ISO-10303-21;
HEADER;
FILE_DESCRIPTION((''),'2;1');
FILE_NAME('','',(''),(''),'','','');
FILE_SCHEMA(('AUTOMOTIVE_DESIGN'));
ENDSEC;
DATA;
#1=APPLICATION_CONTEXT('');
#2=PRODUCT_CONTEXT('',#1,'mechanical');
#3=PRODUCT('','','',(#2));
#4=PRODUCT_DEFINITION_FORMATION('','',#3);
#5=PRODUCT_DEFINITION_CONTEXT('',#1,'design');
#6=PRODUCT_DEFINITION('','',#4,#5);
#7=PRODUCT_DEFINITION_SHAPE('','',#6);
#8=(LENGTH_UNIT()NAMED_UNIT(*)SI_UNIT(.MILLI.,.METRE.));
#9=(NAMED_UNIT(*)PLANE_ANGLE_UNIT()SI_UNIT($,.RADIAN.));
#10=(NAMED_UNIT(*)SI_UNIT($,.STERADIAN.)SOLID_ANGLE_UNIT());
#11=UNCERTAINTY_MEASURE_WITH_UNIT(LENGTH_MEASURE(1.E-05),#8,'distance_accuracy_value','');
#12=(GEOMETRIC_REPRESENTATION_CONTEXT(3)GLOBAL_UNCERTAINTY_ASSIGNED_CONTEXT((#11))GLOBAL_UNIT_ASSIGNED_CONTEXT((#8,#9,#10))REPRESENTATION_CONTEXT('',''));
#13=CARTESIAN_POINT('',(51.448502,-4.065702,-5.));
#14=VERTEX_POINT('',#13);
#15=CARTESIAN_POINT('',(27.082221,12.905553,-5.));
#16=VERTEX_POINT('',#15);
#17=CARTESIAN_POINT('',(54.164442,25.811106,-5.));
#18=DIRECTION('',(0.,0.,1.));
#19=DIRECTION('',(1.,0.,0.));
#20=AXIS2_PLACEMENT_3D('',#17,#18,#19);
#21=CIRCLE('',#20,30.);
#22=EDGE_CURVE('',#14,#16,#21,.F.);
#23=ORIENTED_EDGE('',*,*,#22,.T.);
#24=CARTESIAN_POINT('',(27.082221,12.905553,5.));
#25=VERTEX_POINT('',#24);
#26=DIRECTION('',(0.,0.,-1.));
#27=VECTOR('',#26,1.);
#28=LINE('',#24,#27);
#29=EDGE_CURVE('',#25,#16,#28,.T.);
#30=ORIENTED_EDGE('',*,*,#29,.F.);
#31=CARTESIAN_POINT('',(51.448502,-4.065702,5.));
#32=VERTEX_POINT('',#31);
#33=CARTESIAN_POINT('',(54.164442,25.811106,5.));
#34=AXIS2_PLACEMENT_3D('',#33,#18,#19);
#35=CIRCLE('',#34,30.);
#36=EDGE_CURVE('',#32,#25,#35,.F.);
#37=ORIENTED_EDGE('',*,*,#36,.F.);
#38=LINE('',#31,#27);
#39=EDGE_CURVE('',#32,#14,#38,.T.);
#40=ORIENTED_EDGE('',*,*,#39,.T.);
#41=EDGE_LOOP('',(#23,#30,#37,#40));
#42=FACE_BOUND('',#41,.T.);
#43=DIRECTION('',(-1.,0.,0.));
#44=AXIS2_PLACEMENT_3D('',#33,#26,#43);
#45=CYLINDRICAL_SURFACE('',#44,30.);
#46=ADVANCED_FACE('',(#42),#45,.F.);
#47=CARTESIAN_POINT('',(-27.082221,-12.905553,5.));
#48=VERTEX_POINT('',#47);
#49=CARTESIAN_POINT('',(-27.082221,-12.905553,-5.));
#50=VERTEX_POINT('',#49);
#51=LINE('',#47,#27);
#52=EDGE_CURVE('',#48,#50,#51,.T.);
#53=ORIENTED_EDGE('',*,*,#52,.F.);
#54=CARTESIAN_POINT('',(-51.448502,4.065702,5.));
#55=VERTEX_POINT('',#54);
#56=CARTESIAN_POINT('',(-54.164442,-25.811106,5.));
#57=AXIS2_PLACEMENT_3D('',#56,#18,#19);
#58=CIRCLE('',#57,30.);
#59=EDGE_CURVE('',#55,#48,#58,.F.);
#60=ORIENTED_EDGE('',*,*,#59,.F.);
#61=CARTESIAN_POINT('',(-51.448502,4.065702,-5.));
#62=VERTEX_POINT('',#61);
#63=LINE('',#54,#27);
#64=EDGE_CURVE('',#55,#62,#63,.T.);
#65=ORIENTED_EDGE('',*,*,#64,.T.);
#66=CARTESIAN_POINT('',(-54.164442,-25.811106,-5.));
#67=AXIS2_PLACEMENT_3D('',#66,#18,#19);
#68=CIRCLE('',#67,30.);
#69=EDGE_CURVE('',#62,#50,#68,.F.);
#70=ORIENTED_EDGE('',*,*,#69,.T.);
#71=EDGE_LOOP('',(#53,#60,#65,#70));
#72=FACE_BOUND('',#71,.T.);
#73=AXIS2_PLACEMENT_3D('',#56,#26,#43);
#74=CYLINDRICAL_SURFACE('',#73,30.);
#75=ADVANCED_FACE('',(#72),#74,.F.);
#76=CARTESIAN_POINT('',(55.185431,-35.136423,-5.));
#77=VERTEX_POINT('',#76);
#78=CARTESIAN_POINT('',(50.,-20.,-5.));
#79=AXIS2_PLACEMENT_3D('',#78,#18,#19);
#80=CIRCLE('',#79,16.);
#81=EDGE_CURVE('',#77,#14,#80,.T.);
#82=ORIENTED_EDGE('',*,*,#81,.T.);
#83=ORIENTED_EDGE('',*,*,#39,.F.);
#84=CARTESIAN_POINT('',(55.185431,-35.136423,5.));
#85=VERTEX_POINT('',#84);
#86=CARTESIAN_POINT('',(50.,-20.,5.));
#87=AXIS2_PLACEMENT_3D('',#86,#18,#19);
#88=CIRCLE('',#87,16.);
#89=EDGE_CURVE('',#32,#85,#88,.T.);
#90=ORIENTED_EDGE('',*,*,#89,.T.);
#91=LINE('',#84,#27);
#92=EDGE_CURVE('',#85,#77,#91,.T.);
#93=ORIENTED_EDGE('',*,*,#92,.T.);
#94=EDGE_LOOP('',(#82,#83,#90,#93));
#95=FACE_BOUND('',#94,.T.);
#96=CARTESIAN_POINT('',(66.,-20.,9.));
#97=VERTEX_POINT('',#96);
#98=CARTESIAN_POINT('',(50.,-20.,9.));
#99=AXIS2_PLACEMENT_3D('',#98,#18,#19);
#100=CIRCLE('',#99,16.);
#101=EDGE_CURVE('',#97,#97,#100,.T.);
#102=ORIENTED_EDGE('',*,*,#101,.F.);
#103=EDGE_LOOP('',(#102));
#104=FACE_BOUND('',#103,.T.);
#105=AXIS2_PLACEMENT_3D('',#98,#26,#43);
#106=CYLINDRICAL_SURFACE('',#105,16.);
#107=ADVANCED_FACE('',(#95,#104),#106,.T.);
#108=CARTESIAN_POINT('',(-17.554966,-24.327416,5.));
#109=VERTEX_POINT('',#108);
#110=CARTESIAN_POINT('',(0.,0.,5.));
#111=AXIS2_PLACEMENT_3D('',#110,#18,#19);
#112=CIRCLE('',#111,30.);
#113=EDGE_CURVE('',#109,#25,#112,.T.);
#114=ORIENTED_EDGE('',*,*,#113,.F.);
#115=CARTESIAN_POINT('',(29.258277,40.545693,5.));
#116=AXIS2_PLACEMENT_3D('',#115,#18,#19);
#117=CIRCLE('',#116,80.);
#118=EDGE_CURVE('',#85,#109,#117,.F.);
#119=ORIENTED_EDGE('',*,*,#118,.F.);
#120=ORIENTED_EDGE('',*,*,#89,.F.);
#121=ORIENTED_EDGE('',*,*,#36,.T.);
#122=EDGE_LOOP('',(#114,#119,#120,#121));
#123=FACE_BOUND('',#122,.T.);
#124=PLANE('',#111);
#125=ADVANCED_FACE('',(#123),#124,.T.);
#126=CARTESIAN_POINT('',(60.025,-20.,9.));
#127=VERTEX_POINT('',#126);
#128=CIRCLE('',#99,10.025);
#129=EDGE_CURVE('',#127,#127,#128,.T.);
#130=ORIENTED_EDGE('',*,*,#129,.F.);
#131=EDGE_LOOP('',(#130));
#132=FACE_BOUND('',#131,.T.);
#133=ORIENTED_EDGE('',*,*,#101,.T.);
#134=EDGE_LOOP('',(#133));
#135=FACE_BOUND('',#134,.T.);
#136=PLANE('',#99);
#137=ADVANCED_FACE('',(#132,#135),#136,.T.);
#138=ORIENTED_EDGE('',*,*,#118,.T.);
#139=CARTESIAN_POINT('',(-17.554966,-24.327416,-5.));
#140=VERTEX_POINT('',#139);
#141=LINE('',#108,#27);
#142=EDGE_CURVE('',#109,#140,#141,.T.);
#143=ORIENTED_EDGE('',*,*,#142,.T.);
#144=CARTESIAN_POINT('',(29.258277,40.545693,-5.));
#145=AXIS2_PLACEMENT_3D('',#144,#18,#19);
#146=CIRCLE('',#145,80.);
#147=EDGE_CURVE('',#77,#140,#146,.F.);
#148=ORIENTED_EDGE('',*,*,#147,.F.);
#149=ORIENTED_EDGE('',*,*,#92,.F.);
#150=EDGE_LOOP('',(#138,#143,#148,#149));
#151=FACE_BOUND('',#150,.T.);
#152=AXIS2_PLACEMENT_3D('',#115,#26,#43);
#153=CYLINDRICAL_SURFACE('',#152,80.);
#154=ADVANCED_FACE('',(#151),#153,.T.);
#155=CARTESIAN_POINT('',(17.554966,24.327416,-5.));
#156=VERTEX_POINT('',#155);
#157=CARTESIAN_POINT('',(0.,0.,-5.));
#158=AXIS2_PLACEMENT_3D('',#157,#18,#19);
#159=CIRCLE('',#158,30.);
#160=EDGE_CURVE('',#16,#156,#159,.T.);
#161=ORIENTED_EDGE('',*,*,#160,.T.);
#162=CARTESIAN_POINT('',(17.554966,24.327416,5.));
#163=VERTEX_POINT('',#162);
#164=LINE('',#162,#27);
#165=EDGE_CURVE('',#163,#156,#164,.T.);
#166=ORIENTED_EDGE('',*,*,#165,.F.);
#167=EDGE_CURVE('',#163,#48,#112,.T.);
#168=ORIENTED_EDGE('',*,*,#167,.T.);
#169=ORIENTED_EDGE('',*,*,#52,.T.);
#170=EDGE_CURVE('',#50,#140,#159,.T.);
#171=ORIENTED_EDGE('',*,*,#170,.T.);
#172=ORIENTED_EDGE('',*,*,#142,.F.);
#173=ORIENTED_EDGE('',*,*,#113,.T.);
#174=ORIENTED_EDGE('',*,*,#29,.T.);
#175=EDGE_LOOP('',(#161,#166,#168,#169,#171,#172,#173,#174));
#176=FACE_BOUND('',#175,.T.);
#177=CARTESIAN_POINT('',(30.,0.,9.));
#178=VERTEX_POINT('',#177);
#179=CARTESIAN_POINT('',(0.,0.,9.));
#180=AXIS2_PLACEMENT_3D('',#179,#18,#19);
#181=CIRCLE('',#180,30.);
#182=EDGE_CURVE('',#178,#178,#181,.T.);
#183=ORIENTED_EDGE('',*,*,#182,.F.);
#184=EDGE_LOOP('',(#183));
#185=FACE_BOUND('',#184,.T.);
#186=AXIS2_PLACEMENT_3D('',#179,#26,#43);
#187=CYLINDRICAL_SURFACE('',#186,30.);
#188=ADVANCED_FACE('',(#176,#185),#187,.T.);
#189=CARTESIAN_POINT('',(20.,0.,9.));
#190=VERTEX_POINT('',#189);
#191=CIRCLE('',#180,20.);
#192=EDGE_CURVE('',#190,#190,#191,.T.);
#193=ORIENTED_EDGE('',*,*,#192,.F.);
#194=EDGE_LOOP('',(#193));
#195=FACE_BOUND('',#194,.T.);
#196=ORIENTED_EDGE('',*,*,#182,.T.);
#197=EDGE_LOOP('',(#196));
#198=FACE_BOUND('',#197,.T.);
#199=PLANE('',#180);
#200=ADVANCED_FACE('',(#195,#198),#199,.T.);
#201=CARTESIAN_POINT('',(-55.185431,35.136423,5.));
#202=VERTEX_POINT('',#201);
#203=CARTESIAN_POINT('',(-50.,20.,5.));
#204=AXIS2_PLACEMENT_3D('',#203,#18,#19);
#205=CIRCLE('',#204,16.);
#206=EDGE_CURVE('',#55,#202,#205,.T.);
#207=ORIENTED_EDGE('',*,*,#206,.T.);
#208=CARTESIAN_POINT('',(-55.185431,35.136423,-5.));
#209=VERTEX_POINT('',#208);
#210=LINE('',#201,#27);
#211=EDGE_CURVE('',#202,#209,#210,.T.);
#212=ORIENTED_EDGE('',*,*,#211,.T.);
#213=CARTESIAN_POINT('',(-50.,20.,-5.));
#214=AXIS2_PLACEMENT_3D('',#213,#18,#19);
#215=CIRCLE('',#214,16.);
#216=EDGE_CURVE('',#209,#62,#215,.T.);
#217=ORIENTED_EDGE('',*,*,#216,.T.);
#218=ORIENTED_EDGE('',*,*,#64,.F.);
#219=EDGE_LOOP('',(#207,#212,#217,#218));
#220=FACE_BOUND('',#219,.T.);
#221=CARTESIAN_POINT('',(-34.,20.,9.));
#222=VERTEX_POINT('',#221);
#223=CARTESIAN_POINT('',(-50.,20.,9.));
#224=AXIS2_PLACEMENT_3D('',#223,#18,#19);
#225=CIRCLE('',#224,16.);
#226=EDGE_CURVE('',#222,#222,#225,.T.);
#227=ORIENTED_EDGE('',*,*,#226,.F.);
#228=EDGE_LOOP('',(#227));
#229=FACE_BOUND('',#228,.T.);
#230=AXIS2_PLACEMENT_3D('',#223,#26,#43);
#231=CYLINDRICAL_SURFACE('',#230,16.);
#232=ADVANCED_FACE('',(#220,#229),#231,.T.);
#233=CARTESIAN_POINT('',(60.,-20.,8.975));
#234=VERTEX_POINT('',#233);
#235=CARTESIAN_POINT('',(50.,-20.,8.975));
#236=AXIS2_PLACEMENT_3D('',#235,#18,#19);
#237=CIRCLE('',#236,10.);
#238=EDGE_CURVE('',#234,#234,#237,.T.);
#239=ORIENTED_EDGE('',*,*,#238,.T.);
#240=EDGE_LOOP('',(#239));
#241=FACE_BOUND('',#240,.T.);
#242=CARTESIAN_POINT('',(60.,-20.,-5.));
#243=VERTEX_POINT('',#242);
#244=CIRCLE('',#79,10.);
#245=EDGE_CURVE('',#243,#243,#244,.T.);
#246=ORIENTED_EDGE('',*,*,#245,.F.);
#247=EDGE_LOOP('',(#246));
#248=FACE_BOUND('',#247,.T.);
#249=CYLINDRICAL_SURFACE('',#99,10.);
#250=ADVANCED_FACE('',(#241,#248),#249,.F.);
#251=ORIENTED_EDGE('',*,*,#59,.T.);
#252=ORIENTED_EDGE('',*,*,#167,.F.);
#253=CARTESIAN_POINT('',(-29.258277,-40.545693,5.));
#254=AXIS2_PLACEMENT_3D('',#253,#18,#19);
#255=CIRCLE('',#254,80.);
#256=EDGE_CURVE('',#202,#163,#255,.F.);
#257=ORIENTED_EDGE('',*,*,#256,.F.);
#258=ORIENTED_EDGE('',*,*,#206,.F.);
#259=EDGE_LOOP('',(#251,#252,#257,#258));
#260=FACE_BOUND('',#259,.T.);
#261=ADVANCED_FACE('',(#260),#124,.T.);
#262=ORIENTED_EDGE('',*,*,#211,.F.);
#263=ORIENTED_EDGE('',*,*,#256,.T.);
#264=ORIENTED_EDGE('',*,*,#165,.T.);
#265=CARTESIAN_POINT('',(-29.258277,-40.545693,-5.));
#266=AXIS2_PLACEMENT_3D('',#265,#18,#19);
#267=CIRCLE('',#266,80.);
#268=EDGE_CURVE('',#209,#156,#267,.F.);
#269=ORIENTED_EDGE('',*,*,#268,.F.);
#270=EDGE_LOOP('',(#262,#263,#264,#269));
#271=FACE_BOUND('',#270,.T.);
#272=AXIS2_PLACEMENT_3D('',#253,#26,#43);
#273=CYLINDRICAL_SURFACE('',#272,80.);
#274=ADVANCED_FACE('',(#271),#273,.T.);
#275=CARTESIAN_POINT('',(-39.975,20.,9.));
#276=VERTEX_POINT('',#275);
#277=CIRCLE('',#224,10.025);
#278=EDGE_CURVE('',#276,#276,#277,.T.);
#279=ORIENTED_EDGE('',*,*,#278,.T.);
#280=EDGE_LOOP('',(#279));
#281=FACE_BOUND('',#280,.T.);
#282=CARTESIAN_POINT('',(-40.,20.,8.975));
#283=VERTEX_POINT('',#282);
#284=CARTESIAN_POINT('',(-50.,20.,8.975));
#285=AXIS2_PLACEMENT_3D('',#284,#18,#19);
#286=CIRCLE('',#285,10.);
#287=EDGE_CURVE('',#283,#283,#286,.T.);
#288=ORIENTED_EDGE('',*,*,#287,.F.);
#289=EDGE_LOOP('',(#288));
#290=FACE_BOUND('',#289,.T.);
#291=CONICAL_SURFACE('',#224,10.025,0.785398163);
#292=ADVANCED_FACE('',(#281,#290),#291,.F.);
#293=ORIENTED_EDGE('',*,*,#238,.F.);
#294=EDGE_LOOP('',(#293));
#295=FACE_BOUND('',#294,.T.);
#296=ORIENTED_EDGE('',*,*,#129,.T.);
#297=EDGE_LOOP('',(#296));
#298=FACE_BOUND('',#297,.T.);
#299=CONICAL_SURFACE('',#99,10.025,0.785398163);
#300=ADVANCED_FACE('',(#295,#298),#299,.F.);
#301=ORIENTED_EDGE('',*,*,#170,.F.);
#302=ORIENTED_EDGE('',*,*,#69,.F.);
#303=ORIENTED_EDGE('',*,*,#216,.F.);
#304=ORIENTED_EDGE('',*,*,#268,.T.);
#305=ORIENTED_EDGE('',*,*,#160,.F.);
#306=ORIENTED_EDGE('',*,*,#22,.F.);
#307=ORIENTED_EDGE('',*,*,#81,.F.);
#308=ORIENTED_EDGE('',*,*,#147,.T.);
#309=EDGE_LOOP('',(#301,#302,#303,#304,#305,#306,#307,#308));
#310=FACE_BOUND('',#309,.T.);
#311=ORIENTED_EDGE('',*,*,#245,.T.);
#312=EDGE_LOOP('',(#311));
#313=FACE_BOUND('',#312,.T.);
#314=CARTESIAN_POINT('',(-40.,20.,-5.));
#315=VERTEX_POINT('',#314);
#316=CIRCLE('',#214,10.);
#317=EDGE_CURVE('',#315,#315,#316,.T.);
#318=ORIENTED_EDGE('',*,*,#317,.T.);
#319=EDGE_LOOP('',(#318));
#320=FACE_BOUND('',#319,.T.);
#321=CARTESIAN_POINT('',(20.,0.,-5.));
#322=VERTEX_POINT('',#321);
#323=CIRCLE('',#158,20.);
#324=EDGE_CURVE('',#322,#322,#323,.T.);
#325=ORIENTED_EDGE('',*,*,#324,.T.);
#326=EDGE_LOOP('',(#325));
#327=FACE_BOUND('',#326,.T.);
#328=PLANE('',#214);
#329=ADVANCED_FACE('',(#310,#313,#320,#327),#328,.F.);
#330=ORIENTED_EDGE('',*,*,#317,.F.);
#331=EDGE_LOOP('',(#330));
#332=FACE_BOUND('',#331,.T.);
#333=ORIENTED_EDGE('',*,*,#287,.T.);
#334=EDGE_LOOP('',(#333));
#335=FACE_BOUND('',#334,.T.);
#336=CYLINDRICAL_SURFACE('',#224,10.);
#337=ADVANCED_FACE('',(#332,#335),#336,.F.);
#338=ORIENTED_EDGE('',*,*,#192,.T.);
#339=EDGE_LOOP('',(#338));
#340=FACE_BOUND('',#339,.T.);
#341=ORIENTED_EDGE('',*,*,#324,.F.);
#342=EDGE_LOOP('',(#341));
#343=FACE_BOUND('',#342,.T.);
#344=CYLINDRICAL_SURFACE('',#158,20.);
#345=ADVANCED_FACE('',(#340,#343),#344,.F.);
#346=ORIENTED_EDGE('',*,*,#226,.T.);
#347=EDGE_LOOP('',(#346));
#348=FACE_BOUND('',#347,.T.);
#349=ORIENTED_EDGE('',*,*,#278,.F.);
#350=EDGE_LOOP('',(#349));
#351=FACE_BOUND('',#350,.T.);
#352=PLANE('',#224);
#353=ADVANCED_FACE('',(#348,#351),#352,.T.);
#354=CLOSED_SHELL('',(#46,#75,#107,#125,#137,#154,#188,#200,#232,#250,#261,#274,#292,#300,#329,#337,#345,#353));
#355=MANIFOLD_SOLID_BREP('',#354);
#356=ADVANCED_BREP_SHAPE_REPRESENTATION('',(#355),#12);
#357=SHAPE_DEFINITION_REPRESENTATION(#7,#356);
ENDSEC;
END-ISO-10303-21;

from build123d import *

# Parameters (mm, degrees)
ESTRUSIONE_ESTRUSIONE1_START = -5
SCHIZZO1_R                   = 16
ESTRUSIONE_ESTRUSIONE1_DEPTH = 14
ESTRUSIONE_ESTRUSIONE3_START = -5
SCHIZZO1_4_R                 = 16
ESTRUSIONE_ESTRUSIONE3_DEPTH = 14
ESTRUSIONE_ESTRUSIONE5_START = -5
SCHIZZO1_7_R                 = 30
ESTRUSIONE_ESTRUSIONE5_DEPTH = 14
ESTRUSIONE_ESTRUSIONE6_DEPTH = 5
ESTRUSIONE_ESTRUSIONE7_DEPTH = 5
FORO_20_0_20_1_D             = 20
FORO_20_0_20_1_CSINK_D       = 20.05
FORO_20_0_20_1_CSINK_ANGLE   = 90
TAGLIO_ESTRUSIONE1_START     = 9
SCHIZZO1_13_R                = 20
TAGLIO_ESTRUSIONE1_DEPTH     = 87.418617561


with BuildPart() as part:
    # Schizzo1 → Estrusione-Estrusione1 (new body)
    with BuildSketch(Plane.XY.offset(ESTRUSIONE_ESTRUSIONE1_START)):
        with Locations((-50, 20)):
            Circle(SCHIZZO1_R)
    extrude(amount=ESTRUSIONE_ESTRUSIONE1_DEPTH)



with BuildPart() as body_2:
    # Schizzo1<4> → Estrusione-Estrusione3 (new body)
    with BuildSketch(Plane.XY.offset(ESTRUSIONE_ESTRUSIONE3_START)):
        with Locations((50, -20)):
            Circle(SCHIZZO1_4_R)
    extrude(amount=ESTRUSIONE_ESTRUSIONE3_DEPTH)



with BuildPart() as body_3:
    # Schizzo1<7> → Estrusione-Estrusione5 (new body)
    with BuildSketch(Plane.XY.offset(ESTRUSIONE_ESTRUSIONE5_START)):
        Circle(SCHIZZO1_7_R)
    extrude(amount=ESTRUSIONE_ESTRUSIONE5_DEPTH)


with BuildPart() as body_2_1:
    add(body_2.part)

    add(body_3.part)  # Estrusione-Estrusione6 merges body 3
    # Schizzo1<11> → Estrusione-Estrusione6 (add, symmetric)
    with BuildSketch(Plane.XY):
        with BuildLine():
            ThreePointArc((27.082221172, 12.905552929), (29.26146472, 6.61563923), (30, 0))
            ThreePointArc((30, 0), (13.662924482, -26.708135364), (-17.554966307, -24.327415768))
            ThreePointArc((-17.554966307, -24.327415768), (17.499627211, -38.585427044), (55.185430705, -35.136423237))
            ThreePointArc((55.185430705, -35.136423237), (34.114481769, -21.910578587), (51.448501685, -4.06570231))
            ThreePointArc((51.448501685, -4.06570231), (37.018349838, 1.193804792), (27.082221172, 12.905552929))
        make_face()
    extrude(amount=ESTRUSIONE_ESTRUSIONE6_DEPTH, both=True)


with BuildPart() as part_1:
    add(part.part)

    add(body_2_1.part)  # Estrusione-Estrusione7 merges body 2
    # Schizzo1<12> → Estrusione-Estrusione7 (add, symmetric)
    with BuildSketch(Plane.XY):
        with BuildLine():
            ThreePointArc((-27.082221172, -12.905552929), (-19.216284557, 23.037673664), (17.554968706, 24.327414037))
            ThreePointArc((17.554968706, 24.327414037), (-17.499625748, 38.585426826), (-55.185430705, 35.136423237))
            ThreePointArc((-55.185430705, 35.136423237), (-40.698572456, 33.018580785), (-34, 20))
            ThreePointArc((-34, 20), (-39.210561343, 8.185262869), (-51.448501685, 4.06570231))
            ThreePointArc((-51.448501685, 4.06570231), (-37.018349838, -1.193804792), (-27.082221172, -12.905552929))
        make_face()
    extrude(amount=ESTRUSIONE_ESTRUSIONE7_DEPTH, both=True)

    # Foro Ø20.0 (20)-1 (through all)
    with Locations(Plane(origin=(-50, 20, 9), x_dir=(1, 0, 0), z_dir=(0, 0, 1))):
        with Locations((0, 0), (100, -40)):
            CounterSinkHole(FORO_20_0_20_1_D / 2, FORO_20_0_20_1_CSINK_D / 2, counter_sink_angle=FORO_20_0_20_1_CSINK_ANGLE)

    # Schizzo1<13> → Taglio-Estrusione1 (cut, through all)
    with BuildSketch(Plane.XY.offset(TAGLIO_ESTRUSIONE1_START)):
        Circle(SCHIZZO1_13_R)
    extrude(amount=-TAGLIO_ESTRUSIONE1_DEPTH, mode=Mode.SUBTRACT)


solid = part_1.part
